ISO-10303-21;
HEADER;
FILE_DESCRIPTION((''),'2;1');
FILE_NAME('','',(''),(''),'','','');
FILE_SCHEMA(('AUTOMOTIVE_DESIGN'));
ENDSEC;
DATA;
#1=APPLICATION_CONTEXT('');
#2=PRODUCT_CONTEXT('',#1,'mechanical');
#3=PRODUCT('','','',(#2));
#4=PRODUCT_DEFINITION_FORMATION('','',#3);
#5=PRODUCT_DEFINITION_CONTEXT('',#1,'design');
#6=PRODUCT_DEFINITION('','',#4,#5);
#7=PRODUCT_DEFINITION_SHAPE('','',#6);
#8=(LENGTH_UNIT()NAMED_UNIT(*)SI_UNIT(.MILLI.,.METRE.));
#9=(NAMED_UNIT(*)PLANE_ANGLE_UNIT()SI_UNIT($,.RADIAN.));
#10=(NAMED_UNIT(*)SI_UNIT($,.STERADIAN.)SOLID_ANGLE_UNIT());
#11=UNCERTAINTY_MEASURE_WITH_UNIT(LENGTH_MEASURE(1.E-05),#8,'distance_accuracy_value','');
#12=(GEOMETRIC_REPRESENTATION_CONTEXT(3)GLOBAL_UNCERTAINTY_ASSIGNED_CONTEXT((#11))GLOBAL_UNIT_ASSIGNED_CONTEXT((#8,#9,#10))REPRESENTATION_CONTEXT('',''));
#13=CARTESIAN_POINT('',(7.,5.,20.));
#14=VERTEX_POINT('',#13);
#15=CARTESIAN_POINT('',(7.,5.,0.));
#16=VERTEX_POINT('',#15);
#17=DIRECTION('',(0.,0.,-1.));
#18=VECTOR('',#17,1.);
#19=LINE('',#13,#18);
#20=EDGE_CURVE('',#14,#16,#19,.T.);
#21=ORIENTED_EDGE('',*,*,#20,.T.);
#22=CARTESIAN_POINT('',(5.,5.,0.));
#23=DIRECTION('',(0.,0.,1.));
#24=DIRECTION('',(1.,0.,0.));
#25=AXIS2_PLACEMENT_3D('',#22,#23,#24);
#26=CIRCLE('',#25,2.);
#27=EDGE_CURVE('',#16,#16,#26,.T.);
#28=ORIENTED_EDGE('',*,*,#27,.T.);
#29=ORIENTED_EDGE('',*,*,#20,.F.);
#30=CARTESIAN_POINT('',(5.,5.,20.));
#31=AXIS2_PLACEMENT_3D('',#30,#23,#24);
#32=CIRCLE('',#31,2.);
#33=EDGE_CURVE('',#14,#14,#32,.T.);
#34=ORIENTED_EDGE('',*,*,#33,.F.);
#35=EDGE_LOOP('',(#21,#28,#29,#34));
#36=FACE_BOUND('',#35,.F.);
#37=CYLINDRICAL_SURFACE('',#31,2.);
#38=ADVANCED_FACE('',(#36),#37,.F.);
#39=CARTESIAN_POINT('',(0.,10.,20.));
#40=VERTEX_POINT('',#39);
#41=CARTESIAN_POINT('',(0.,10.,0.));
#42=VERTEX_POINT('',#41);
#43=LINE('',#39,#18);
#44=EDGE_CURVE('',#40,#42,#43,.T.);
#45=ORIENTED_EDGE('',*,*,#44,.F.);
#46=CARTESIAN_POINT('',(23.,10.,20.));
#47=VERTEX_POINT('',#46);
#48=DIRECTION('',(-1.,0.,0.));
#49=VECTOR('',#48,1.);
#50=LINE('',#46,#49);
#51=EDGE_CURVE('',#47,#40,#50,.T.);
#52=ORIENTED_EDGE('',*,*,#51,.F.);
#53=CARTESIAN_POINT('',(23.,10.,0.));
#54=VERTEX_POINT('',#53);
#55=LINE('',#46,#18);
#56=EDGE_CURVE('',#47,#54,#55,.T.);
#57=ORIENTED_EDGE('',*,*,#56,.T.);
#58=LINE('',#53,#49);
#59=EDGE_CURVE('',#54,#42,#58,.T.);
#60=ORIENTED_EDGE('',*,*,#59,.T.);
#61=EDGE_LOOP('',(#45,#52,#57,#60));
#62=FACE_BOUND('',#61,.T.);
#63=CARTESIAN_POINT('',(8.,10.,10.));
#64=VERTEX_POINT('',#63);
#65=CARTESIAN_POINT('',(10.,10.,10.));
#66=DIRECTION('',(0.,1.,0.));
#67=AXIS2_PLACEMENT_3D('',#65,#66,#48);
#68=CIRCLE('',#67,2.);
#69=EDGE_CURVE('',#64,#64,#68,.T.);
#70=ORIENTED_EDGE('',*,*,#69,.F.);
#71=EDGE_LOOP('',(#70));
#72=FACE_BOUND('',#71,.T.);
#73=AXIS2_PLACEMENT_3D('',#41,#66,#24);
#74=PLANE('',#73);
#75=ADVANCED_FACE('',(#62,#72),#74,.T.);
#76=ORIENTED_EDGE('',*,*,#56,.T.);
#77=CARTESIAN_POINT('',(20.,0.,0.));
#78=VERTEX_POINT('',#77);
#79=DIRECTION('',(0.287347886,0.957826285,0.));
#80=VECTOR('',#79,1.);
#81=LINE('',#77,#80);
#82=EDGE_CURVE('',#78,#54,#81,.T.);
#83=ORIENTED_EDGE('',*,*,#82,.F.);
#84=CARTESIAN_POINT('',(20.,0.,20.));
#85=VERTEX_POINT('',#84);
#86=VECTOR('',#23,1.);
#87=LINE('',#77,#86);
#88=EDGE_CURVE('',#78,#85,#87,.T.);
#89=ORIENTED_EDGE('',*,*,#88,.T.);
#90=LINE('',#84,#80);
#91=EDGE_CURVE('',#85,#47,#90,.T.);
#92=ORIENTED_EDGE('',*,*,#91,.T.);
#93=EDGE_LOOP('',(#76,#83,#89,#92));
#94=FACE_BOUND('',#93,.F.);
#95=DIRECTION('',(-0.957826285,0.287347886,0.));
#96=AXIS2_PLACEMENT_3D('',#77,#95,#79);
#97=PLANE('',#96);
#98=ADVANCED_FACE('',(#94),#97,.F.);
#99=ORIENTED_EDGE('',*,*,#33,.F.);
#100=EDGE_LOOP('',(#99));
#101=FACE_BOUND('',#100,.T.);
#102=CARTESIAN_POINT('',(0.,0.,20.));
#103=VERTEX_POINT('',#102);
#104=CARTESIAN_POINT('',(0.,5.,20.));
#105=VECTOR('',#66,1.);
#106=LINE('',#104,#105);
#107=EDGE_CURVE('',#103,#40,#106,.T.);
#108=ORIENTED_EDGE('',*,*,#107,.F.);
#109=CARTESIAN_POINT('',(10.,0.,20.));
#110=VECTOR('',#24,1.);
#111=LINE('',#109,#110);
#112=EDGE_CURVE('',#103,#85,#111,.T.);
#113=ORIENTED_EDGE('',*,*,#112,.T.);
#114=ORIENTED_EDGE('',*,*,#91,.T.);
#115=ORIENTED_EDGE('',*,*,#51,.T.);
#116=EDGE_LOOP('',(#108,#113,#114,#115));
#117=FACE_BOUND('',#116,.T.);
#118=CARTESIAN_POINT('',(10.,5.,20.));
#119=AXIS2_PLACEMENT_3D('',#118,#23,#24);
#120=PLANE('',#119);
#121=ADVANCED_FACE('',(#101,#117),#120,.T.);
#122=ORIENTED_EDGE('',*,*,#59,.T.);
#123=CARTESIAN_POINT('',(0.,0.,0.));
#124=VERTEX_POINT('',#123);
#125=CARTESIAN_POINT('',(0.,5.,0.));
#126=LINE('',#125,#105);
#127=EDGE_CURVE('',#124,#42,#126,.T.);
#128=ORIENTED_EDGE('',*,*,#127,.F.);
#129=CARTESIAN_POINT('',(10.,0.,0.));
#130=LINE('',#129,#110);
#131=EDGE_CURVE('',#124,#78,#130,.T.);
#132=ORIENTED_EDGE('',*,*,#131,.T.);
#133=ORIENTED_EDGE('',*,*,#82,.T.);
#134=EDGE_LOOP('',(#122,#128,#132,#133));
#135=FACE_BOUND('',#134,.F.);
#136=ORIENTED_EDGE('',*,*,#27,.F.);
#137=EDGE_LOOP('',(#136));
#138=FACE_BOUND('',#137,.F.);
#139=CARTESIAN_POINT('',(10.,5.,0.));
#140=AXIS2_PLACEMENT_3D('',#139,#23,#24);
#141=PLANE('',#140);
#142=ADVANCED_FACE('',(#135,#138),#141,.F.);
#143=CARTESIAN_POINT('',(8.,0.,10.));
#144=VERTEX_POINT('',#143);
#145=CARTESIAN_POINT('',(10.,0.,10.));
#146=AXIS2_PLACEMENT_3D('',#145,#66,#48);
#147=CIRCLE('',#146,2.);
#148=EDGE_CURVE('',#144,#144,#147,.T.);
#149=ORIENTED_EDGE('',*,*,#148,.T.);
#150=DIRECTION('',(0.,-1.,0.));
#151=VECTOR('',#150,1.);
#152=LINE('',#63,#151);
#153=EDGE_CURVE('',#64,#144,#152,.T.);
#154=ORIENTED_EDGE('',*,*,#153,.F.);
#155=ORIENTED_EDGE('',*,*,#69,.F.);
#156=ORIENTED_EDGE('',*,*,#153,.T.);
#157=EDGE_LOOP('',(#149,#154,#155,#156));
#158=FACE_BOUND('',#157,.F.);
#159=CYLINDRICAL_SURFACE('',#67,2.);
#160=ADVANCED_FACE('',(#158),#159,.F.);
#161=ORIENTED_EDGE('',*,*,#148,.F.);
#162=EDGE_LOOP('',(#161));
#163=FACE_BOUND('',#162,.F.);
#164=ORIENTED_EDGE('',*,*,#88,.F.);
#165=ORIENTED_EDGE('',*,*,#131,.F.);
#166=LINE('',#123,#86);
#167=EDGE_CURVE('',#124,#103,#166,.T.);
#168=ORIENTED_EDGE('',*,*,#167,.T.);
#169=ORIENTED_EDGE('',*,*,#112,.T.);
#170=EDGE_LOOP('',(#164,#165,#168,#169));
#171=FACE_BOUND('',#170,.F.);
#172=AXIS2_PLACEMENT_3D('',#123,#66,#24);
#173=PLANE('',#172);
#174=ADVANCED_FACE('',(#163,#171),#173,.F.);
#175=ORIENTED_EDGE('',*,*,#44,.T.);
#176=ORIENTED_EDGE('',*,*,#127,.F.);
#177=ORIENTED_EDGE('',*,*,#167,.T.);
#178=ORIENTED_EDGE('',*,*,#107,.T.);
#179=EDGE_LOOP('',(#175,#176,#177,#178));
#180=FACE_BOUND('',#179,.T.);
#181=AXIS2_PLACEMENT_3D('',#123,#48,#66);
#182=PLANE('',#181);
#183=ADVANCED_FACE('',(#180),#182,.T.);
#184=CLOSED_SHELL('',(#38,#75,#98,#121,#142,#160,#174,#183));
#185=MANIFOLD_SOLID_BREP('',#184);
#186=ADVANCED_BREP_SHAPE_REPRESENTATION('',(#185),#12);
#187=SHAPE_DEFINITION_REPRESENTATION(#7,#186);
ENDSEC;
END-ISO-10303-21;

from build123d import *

# Parameters (mm, degrees)
F0_W     = 20
F0_H     = 10
F1_DEPTH = 10
F2_DEPTH = 10
F3_DEPTH = 20
F4_R     = 2
F5_DEPTH = 25
F6_R     = 2
F7_DEPTH = 25


with BuildPart() as f1:
    # F0 (on Top) → F1 (new body)
    with BuildSketch(Plane.XY):
        with Locations((10, 5)):
            Rectangle(F0_W, F0_H)
    extrude(amount=F1_DEPTH)

    # F0 (on Top) → F2 (join)
    with BuildSketch(Plane.XY):
        with Locations((10, 5)):
            Rectangle(F0_W, F0_H)
        Polygon((20, 10), (20, 0), (23, 10), align=None)
    extrude(amount=F2_DEPTH)

    # F0 (on Top) → F3 (join)
    with BuildSketch(Plane.XY):
        with Locations((10, 5)):
            Rectangle(F0_W, F0_H)
        Polygon((20, 10), (20, 0), (23, 10), align=None)
    extrude(amount=F3_DEPTH)

    # F4 (on face) → F5 (cut)
    with BuildSketch(Plane(origin=(0, 10, 0), x_dir=(-1, 0, 0), z_dir=(0, 1, 0))):
        with Locations((-10, 10)):
            Circle(F4_R)
    extrude(amount=-F5_DEPTH, mode=Mode.SUBTRACT)

    # F6 (on face) → F7 (cut)
    with BuildSketch(Plane.XY.offset(20)):
        with Locations((5, 5)):
            Circle(F6_R)
    extrude(amount=-F7_DEPTH, mode=Mode.SUBTRACT)


solid = f1.part
